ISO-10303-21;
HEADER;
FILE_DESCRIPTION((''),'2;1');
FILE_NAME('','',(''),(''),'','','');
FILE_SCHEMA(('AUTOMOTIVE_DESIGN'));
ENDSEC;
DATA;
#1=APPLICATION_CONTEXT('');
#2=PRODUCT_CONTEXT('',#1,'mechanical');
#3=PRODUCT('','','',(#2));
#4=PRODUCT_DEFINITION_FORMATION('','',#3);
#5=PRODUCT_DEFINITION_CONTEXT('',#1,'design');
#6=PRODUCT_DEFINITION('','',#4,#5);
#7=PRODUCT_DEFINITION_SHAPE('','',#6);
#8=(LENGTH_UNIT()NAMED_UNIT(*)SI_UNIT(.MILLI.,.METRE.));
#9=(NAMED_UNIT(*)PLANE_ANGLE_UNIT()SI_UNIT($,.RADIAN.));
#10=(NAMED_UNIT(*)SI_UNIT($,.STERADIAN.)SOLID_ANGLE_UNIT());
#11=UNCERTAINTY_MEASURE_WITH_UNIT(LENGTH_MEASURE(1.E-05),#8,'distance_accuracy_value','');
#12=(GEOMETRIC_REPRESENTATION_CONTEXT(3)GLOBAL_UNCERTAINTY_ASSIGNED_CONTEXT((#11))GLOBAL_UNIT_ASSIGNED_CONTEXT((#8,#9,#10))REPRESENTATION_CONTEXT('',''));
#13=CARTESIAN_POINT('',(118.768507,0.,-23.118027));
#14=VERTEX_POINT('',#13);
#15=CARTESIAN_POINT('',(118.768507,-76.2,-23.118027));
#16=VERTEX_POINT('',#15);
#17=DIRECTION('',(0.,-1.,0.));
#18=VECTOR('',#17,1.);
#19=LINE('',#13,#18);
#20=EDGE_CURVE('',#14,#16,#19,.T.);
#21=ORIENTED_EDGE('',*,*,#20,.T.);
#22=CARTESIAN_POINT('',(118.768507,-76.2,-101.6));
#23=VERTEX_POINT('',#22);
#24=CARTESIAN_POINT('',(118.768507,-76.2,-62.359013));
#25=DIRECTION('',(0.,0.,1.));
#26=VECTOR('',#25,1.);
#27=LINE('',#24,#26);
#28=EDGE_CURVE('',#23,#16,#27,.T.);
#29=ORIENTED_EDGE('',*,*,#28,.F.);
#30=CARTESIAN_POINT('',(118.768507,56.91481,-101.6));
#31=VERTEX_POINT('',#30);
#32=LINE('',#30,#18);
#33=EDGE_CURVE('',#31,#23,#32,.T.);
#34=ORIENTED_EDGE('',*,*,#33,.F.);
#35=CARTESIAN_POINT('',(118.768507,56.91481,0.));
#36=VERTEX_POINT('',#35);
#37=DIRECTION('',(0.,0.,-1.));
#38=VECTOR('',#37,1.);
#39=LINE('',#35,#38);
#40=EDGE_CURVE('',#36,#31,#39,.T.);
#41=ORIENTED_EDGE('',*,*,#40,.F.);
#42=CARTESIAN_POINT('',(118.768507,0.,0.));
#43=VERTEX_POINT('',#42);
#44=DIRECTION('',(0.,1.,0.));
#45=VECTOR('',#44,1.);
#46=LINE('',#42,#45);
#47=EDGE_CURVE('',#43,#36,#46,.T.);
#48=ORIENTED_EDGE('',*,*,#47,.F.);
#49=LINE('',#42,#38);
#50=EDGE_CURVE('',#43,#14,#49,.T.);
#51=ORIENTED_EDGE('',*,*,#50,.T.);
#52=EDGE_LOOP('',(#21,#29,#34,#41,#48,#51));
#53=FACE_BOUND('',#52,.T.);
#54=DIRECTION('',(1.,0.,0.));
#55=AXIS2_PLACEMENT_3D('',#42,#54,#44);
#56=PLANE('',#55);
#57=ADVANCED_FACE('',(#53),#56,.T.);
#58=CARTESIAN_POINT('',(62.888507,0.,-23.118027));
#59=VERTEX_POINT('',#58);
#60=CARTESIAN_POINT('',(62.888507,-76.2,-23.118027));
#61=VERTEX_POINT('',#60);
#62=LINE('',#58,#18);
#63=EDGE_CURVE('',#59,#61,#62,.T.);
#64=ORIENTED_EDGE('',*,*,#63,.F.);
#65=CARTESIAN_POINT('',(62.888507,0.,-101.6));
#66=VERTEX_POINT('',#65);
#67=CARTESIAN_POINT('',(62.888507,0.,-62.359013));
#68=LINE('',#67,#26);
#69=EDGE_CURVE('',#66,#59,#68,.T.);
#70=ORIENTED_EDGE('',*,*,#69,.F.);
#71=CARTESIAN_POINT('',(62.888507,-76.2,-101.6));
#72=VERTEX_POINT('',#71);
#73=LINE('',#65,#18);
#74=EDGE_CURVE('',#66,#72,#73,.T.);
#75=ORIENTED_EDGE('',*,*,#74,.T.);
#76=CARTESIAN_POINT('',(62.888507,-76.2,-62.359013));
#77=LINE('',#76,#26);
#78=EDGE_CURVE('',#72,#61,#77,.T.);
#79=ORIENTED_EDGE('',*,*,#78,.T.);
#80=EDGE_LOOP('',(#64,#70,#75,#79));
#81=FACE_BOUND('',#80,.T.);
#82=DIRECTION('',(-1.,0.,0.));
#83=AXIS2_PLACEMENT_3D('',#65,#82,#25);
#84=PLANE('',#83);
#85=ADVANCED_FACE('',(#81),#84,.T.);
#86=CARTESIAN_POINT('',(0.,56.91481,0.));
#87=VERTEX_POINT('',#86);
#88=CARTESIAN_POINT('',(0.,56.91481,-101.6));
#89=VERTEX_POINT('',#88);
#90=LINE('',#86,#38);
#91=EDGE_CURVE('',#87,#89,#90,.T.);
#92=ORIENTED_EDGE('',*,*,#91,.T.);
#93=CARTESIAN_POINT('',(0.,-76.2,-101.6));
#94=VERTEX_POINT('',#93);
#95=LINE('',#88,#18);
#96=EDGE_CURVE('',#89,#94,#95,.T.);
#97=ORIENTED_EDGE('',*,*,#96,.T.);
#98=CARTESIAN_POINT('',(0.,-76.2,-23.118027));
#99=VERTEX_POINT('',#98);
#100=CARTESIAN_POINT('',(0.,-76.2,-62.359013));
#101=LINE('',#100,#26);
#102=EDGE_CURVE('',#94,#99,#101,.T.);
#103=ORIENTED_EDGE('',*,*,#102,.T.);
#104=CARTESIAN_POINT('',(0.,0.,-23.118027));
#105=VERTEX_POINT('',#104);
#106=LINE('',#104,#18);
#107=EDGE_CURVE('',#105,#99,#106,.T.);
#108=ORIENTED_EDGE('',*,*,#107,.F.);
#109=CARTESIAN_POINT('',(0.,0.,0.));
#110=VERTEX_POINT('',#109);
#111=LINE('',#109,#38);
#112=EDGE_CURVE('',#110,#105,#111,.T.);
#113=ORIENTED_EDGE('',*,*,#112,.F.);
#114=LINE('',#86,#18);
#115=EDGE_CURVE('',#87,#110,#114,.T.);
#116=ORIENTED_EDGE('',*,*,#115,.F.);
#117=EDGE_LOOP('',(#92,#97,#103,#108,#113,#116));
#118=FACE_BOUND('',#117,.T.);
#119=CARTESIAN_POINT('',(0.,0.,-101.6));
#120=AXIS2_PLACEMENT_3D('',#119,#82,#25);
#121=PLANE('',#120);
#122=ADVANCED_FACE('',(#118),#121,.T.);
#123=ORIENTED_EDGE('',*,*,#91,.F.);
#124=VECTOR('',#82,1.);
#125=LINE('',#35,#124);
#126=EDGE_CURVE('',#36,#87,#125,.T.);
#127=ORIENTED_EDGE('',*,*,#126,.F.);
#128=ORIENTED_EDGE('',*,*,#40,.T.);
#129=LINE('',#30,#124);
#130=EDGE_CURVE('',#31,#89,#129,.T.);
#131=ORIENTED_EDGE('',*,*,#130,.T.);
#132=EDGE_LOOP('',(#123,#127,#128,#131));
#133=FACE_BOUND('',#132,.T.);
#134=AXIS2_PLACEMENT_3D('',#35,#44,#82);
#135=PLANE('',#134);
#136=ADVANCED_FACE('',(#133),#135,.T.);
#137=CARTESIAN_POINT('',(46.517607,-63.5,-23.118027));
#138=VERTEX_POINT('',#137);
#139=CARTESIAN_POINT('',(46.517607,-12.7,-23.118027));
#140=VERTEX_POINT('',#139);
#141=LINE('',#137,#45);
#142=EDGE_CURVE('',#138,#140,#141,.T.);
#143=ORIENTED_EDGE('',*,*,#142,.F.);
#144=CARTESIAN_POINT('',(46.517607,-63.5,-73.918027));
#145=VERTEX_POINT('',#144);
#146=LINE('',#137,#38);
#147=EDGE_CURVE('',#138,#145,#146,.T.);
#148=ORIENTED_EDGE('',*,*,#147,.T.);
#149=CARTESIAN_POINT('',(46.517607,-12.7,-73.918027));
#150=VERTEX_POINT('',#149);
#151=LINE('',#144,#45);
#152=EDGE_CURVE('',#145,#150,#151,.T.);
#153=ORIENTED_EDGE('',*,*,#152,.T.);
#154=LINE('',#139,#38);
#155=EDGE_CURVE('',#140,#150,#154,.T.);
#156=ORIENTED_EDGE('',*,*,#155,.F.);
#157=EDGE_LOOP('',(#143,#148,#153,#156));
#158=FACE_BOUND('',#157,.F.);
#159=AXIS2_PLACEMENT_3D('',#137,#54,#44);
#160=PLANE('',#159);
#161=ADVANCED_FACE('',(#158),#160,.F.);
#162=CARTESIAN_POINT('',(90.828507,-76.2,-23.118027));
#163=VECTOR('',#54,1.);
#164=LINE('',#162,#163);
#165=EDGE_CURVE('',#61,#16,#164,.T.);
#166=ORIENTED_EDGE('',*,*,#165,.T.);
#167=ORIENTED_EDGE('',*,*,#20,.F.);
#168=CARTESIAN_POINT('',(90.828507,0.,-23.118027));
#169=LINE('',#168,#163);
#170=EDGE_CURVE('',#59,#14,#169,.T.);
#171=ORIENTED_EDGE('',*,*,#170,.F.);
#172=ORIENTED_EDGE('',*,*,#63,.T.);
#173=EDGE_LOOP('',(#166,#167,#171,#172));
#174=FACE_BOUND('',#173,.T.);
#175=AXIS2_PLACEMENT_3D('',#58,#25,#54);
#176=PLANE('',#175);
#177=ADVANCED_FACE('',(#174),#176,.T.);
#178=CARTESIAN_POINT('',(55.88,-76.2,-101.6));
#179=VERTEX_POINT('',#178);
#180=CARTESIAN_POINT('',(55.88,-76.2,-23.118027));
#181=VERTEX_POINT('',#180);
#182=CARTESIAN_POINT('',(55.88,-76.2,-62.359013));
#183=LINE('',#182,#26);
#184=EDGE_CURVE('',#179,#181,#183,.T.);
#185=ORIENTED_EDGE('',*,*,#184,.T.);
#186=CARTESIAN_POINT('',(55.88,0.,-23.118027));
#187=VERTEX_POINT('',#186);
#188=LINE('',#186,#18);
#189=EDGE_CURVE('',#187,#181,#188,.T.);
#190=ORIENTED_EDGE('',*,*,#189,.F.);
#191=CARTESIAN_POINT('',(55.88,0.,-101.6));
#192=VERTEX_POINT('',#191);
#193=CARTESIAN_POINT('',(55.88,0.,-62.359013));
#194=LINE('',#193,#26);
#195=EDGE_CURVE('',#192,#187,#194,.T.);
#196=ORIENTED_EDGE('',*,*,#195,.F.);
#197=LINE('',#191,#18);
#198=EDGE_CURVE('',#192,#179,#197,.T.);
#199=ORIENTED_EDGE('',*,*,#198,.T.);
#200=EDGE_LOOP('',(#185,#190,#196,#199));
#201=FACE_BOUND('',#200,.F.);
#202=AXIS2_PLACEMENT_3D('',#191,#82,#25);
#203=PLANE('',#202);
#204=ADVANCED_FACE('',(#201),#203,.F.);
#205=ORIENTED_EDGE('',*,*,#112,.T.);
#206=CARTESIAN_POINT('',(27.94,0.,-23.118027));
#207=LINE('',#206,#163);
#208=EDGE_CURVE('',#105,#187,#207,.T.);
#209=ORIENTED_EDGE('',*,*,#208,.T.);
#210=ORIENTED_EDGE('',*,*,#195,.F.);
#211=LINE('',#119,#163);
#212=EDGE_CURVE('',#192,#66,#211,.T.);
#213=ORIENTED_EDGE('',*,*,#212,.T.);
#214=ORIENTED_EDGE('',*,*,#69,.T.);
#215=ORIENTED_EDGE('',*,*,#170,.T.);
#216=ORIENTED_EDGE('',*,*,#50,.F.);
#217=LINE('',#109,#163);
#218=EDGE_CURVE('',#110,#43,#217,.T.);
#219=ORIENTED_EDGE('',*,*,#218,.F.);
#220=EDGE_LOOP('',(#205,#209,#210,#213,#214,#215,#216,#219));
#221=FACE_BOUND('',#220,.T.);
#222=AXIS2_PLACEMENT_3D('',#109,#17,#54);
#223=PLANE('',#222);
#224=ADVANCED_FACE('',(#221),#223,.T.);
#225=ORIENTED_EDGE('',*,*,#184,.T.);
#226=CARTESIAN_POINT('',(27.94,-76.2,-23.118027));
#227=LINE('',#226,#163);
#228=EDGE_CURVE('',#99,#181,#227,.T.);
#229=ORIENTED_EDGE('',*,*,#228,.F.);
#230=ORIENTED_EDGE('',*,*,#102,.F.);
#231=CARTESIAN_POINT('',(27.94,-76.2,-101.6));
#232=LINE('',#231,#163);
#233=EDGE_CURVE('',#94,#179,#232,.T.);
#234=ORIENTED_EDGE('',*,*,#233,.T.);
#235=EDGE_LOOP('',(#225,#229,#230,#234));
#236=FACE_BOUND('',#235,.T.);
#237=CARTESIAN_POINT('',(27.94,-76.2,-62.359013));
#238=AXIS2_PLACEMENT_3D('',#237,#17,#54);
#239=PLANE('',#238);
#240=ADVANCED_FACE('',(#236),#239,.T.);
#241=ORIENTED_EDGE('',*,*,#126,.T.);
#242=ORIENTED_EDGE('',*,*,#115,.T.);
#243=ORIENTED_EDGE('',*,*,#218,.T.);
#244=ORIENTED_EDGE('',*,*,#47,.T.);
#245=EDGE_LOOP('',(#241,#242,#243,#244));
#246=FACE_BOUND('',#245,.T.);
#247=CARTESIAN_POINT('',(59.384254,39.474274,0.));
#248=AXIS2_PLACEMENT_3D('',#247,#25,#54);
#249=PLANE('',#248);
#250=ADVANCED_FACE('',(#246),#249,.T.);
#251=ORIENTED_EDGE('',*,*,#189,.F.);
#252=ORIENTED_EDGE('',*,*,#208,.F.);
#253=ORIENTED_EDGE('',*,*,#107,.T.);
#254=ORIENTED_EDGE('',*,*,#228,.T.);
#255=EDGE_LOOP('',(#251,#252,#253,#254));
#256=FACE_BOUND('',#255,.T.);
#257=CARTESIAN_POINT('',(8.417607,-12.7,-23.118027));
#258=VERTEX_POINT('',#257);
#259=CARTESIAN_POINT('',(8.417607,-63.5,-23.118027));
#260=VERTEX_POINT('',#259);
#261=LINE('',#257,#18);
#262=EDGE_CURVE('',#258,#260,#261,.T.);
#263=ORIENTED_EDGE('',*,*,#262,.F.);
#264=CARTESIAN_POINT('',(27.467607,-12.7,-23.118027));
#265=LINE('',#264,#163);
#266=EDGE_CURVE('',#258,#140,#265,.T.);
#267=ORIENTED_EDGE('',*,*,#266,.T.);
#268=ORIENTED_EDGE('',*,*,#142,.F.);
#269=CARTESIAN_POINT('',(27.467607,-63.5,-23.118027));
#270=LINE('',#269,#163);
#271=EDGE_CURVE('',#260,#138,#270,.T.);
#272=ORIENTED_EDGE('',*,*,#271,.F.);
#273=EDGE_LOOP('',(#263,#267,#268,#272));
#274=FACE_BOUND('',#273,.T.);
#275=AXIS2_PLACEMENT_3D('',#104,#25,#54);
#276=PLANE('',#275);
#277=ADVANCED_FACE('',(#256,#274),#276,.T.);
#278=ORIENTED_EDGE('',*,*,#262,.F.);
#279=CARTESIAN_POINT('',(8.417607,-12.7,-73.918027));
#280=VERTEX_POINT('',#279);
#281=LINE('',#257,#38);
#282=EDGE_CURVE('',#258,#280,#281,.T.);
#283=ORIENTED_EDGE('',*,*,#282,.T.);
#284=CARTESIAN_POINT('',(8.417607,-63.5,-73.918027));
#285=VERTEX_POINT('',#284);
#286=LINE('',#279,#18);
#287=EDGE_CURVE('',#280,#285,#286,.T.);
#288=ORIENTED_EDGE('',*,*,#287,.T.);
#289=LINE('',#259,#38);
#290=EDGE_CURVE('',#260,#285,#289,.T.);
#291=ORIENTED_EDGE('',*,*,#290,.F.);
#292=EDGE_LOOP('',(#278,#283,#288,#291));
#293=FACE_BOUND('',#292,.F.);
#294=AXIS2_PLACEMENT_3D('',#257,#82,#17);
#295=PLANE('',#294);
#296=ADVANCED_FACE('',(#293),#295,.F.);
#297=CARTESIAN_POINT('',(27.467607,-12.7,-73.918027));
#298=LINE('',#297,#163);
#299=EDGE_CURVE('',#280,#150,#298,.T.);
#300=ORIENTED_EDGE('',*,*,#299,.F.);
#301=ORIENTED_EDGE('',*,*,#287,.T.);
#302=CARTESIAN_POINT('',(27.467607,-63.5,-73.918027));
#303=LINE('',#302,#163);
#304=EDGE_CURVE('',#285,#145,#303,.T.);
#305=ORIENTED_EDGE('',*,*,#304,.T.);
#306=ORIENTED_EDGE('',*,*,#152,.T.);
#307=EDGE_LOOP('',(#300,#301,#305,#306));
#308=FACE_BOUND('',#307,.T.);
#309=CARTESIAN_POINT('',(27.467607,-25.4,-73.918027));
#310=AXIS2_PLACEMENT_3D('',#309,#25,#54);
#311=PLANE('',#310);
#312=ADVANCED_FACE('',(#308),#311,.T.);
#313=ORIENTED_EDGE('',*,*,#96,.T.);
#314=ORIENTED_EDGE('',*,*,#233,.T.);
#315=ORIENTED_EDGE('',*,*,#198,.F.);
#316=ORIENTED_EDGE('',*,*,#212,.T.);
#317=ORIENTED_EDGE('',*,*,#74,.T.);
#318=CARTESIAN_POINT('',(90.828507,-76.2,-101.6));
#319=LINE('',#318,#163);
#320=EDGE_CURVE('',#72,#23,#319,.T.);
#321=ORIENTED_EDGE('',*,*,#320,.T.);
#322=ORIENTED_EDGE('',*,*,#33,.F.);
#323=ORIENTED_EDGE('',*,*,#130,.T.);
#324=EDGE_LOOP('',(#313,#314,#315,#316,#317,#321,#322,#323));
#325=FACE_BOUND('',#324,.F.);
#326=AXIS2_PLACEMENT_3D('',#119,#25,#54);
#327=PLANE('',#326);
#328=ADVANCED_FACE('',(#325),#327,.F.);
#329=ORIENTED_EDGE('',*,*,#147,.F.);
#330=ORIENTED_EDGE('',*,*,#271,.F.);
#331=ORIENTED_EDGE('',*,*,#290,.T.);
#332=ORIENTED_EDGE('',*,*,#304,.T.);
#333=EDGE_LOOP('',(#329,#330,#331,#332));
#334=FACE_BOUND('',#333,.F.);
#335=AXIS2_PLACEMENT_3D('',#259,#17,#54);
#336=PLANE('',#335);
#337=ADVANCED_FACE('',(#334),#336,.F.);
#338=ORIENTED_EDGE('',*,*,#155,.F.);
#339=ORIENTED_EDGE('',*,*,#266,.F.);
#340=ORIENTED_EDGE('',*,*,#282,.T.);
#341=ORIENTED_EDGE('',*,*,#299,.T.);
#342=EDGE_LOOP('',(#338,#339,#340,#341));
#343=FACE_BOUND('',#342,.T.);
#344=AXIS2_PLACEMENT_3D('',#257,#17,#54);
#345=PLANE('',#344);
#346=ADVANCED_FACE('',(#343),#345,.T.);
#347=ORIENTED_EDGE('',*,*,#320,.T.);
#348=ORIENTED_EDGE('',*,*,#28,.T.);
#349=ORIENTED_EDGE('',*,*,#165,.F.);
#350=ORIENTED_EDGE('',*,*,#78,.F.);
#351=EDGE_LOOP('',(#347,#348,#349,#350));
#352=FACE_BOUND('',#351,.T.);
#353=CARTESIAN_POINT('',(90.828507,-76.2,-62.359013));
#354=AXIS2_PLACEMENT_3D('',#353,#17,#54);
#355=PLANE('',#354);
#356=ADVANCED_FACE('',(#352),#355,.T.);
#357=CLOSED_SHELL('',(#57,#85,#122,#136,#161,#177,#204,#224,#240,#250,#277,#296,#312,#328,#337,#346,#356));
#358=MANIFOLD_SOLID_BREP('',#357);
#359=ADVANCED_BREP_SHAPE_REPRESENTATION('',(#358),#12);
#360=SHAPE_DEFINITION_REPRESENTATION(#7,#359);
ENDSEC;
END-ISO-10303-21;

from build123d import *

# Parameters (mm, degrees)
F0_W     = 25.4
F0_H     = 31.1311839489
F0_H_2   = 33.6493795661
F1_DEPTH = 101.6
F2_W     = 55.88
F2_H     = 78.4819734454
F3_DEPTH = 76.2
F4_W     = 38.1
F4_H     = 25.4
F5_DEPTH = 50.8


with BuildPart() as f1:
    # F0 (on Top) → F1 (new body)
    with BuildSketch(Plane.XY):
        Polygon((50.8, 38.1), (50.8, 0), (67.9685074601, 0), (67.9685074601, 38.1), (80.6685074601, 38.1), (106.0685074601, 38.1), (118.7685074601, 38.1), (118.7685074601, 56.9148101586), (0, 56.9148101586), (0, 38.1), (12.7, 38.1), (38.1, 38.1), align=None)
        Polygon((67.9685074601, 38.1), (67.9685074601, 0), (118.7685074601, 0), (118.7685074601, 38.1), (106.0685074601, 38.1), (106.0685074601, 4.4506204339), (80.6685074601, 4.4506204339), (80.6685074601, 38.1), align=None)
        Polygon((0, 38.1), (0, 0), (50.8, 0), (50.8, 38.1), (38.1, 38.1), (38.1, 6.9688160511), (12.7, 6.9688160511), (12.7, 38.1), align=None)
        with Locations((25.4, 22.5344080255)):
            Rectangle(F0_W, F0_H)
        with Locations((93.3685074601, 21.2753102169)):
            Rectangle(F0_W, F0_H_2)
    extrude(amount=-F1_DEPTH)

    # F2 (on face) → F3 (join)
    with BuildSketch(Plane.XZ):
        with Locations((27.94, -62.3590132773)):
            Rectangle(F2_W, F2_H)
        with Locations((90.8285074601, -62.3590132773)):
            Rectangle(F2_W, F2_H)
    extrude(amount=F3_DEPTH)

    # F4 (on face) → F5 (cut)
    with BuildSketch(Plane.XY.offset(-23.1180265546)):
        with Locations((27.4676065892, -25.4)):
            Rectangle(F4_W, F4_H)
        with Locations((27.4676065892, -50.8)):
            Rectangle(F4_W, F4_H)
    extrude(amount=-F5_DEPTH, mode=Mode.SUBTRACT)


solid = f1.part
